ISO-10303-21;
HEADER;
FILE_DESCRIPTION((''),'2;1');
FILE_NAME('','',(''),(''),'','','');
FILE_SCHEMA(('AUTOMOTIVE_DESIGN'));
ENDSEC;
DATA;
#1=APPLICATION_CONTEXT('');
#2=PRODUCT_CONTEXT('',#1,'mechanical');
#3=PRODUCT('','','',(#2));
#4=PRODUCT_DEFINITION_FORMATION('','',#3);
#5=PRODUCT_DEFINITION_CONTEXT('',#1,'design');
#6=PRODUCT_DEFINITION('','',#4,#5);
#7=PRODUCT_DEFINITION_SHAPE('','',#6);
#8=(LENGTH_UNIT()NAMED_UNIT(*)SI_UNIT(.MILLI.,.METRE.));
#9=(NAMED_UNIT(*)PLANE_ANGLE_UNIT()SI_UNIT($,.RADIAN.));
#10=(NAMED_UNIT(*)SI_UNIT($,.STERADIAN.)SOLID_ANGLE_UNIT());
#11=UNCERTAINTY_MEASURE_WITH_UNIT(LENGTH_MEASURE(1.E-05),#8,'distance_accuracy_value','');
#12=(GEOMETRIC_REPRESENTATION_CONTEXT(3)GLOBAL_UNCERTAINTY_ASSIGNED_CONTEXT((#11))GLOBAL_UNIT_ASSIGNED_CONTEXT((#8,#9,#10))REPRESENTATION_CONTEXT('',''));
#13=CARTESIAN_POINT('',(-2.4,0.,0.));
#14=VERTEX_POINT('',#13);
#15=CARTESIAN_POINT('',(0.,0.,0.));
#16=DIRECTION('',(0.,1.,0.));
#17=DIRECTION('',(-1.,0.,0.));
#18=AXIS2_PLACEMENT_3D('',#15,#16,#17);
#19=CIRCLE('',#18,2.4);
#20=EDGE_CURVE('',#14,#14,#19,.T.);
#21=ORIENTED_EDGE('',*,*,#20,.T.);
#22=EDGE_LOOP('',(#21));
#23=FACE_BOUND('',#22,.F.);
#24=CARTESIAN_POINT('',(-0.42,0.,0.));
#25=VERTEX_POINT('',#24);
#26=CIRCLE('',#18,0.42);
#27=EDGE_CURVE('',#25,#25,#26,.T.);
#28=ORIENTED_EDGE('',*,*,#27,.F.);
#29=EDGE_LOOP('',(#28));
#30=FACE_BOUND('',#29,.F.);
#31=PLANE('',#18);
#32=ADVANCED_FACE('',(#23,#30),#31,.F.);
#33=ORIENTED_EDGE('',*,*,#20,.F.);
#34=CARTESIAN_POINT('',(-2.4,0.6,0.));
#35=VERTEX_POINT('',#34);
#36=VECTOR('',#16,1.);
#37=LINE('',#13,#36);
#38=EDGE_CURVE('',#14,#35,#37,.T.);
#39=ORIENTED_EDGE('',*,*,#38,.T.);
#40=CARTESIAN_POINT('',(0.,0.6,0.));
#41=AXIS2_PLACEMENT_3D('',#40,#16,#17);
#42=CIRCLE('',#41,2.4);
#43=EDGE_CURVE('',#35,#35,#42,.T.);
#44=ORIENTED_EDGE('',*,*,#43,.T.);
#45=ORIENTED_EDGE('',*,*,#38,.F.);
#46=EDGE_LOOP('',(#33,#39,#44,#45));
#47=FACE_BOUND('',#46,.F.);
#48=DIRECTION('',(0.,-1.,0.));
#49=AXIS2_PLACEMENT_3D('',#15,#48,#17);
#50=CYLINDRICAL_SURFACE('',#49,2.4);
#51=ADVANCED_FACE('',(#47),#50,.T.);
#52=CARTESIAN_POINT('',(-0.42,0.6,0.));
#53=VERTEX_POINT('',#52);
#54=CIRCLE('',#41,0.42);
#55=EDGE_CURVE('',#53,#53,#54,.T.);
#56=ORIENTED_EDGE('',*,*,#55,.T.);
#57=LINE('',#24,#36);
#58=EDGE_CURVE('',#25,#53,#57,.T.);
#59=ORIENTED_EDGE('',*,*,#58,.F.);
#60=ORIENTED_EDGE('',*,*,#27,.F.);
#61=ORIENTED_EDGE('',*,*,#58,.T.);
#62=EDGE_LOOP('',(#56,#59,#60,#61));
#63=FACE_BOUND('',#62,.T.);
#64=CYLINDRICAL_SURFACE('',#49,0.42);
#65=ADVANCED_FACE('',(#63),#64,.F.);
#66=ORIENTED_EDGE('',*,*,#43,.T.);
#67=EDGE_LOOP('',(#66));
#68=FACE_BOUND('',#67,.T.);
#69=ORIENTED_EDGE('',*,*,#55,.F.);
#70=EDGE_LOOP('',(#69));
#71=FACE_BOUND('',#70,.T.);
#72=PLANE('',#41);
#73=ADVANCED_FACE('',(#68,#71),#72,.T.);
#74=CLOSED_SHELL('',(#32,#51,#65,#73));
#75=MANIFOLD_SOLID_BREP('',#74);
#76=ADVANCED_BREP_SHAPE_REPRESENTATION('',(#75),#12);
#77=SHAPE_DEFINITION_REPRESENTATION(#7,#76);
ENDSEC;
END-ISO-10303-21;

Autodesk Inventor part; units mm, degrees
ref_plane "YZ Plane" through (0, 0, 0) normal (1, 0, 0) x (0, 1, 0)
ref_plane "XZ Plane" through (0, 0, 0) normal (0, 1, 0) x (-1, 0, 0)
ref_plane "XY Plane" through (0, 0, 0) normal (0, 0, 1) x (1, 0, 0)
sketch "Boceto1" plane through (0, 0, 0) normal (0, 1, 0) x (-1, 0, 0)
  circle A0 centre (0, 0) radius 2.4
  circle A1 centre (0, 0) radius 0.42
  dimension "d0" = 4.8
  dimension "d1" = 0.84
extrude "Extrusión1" add sketch "Boceto1" along normal blind 0.6
